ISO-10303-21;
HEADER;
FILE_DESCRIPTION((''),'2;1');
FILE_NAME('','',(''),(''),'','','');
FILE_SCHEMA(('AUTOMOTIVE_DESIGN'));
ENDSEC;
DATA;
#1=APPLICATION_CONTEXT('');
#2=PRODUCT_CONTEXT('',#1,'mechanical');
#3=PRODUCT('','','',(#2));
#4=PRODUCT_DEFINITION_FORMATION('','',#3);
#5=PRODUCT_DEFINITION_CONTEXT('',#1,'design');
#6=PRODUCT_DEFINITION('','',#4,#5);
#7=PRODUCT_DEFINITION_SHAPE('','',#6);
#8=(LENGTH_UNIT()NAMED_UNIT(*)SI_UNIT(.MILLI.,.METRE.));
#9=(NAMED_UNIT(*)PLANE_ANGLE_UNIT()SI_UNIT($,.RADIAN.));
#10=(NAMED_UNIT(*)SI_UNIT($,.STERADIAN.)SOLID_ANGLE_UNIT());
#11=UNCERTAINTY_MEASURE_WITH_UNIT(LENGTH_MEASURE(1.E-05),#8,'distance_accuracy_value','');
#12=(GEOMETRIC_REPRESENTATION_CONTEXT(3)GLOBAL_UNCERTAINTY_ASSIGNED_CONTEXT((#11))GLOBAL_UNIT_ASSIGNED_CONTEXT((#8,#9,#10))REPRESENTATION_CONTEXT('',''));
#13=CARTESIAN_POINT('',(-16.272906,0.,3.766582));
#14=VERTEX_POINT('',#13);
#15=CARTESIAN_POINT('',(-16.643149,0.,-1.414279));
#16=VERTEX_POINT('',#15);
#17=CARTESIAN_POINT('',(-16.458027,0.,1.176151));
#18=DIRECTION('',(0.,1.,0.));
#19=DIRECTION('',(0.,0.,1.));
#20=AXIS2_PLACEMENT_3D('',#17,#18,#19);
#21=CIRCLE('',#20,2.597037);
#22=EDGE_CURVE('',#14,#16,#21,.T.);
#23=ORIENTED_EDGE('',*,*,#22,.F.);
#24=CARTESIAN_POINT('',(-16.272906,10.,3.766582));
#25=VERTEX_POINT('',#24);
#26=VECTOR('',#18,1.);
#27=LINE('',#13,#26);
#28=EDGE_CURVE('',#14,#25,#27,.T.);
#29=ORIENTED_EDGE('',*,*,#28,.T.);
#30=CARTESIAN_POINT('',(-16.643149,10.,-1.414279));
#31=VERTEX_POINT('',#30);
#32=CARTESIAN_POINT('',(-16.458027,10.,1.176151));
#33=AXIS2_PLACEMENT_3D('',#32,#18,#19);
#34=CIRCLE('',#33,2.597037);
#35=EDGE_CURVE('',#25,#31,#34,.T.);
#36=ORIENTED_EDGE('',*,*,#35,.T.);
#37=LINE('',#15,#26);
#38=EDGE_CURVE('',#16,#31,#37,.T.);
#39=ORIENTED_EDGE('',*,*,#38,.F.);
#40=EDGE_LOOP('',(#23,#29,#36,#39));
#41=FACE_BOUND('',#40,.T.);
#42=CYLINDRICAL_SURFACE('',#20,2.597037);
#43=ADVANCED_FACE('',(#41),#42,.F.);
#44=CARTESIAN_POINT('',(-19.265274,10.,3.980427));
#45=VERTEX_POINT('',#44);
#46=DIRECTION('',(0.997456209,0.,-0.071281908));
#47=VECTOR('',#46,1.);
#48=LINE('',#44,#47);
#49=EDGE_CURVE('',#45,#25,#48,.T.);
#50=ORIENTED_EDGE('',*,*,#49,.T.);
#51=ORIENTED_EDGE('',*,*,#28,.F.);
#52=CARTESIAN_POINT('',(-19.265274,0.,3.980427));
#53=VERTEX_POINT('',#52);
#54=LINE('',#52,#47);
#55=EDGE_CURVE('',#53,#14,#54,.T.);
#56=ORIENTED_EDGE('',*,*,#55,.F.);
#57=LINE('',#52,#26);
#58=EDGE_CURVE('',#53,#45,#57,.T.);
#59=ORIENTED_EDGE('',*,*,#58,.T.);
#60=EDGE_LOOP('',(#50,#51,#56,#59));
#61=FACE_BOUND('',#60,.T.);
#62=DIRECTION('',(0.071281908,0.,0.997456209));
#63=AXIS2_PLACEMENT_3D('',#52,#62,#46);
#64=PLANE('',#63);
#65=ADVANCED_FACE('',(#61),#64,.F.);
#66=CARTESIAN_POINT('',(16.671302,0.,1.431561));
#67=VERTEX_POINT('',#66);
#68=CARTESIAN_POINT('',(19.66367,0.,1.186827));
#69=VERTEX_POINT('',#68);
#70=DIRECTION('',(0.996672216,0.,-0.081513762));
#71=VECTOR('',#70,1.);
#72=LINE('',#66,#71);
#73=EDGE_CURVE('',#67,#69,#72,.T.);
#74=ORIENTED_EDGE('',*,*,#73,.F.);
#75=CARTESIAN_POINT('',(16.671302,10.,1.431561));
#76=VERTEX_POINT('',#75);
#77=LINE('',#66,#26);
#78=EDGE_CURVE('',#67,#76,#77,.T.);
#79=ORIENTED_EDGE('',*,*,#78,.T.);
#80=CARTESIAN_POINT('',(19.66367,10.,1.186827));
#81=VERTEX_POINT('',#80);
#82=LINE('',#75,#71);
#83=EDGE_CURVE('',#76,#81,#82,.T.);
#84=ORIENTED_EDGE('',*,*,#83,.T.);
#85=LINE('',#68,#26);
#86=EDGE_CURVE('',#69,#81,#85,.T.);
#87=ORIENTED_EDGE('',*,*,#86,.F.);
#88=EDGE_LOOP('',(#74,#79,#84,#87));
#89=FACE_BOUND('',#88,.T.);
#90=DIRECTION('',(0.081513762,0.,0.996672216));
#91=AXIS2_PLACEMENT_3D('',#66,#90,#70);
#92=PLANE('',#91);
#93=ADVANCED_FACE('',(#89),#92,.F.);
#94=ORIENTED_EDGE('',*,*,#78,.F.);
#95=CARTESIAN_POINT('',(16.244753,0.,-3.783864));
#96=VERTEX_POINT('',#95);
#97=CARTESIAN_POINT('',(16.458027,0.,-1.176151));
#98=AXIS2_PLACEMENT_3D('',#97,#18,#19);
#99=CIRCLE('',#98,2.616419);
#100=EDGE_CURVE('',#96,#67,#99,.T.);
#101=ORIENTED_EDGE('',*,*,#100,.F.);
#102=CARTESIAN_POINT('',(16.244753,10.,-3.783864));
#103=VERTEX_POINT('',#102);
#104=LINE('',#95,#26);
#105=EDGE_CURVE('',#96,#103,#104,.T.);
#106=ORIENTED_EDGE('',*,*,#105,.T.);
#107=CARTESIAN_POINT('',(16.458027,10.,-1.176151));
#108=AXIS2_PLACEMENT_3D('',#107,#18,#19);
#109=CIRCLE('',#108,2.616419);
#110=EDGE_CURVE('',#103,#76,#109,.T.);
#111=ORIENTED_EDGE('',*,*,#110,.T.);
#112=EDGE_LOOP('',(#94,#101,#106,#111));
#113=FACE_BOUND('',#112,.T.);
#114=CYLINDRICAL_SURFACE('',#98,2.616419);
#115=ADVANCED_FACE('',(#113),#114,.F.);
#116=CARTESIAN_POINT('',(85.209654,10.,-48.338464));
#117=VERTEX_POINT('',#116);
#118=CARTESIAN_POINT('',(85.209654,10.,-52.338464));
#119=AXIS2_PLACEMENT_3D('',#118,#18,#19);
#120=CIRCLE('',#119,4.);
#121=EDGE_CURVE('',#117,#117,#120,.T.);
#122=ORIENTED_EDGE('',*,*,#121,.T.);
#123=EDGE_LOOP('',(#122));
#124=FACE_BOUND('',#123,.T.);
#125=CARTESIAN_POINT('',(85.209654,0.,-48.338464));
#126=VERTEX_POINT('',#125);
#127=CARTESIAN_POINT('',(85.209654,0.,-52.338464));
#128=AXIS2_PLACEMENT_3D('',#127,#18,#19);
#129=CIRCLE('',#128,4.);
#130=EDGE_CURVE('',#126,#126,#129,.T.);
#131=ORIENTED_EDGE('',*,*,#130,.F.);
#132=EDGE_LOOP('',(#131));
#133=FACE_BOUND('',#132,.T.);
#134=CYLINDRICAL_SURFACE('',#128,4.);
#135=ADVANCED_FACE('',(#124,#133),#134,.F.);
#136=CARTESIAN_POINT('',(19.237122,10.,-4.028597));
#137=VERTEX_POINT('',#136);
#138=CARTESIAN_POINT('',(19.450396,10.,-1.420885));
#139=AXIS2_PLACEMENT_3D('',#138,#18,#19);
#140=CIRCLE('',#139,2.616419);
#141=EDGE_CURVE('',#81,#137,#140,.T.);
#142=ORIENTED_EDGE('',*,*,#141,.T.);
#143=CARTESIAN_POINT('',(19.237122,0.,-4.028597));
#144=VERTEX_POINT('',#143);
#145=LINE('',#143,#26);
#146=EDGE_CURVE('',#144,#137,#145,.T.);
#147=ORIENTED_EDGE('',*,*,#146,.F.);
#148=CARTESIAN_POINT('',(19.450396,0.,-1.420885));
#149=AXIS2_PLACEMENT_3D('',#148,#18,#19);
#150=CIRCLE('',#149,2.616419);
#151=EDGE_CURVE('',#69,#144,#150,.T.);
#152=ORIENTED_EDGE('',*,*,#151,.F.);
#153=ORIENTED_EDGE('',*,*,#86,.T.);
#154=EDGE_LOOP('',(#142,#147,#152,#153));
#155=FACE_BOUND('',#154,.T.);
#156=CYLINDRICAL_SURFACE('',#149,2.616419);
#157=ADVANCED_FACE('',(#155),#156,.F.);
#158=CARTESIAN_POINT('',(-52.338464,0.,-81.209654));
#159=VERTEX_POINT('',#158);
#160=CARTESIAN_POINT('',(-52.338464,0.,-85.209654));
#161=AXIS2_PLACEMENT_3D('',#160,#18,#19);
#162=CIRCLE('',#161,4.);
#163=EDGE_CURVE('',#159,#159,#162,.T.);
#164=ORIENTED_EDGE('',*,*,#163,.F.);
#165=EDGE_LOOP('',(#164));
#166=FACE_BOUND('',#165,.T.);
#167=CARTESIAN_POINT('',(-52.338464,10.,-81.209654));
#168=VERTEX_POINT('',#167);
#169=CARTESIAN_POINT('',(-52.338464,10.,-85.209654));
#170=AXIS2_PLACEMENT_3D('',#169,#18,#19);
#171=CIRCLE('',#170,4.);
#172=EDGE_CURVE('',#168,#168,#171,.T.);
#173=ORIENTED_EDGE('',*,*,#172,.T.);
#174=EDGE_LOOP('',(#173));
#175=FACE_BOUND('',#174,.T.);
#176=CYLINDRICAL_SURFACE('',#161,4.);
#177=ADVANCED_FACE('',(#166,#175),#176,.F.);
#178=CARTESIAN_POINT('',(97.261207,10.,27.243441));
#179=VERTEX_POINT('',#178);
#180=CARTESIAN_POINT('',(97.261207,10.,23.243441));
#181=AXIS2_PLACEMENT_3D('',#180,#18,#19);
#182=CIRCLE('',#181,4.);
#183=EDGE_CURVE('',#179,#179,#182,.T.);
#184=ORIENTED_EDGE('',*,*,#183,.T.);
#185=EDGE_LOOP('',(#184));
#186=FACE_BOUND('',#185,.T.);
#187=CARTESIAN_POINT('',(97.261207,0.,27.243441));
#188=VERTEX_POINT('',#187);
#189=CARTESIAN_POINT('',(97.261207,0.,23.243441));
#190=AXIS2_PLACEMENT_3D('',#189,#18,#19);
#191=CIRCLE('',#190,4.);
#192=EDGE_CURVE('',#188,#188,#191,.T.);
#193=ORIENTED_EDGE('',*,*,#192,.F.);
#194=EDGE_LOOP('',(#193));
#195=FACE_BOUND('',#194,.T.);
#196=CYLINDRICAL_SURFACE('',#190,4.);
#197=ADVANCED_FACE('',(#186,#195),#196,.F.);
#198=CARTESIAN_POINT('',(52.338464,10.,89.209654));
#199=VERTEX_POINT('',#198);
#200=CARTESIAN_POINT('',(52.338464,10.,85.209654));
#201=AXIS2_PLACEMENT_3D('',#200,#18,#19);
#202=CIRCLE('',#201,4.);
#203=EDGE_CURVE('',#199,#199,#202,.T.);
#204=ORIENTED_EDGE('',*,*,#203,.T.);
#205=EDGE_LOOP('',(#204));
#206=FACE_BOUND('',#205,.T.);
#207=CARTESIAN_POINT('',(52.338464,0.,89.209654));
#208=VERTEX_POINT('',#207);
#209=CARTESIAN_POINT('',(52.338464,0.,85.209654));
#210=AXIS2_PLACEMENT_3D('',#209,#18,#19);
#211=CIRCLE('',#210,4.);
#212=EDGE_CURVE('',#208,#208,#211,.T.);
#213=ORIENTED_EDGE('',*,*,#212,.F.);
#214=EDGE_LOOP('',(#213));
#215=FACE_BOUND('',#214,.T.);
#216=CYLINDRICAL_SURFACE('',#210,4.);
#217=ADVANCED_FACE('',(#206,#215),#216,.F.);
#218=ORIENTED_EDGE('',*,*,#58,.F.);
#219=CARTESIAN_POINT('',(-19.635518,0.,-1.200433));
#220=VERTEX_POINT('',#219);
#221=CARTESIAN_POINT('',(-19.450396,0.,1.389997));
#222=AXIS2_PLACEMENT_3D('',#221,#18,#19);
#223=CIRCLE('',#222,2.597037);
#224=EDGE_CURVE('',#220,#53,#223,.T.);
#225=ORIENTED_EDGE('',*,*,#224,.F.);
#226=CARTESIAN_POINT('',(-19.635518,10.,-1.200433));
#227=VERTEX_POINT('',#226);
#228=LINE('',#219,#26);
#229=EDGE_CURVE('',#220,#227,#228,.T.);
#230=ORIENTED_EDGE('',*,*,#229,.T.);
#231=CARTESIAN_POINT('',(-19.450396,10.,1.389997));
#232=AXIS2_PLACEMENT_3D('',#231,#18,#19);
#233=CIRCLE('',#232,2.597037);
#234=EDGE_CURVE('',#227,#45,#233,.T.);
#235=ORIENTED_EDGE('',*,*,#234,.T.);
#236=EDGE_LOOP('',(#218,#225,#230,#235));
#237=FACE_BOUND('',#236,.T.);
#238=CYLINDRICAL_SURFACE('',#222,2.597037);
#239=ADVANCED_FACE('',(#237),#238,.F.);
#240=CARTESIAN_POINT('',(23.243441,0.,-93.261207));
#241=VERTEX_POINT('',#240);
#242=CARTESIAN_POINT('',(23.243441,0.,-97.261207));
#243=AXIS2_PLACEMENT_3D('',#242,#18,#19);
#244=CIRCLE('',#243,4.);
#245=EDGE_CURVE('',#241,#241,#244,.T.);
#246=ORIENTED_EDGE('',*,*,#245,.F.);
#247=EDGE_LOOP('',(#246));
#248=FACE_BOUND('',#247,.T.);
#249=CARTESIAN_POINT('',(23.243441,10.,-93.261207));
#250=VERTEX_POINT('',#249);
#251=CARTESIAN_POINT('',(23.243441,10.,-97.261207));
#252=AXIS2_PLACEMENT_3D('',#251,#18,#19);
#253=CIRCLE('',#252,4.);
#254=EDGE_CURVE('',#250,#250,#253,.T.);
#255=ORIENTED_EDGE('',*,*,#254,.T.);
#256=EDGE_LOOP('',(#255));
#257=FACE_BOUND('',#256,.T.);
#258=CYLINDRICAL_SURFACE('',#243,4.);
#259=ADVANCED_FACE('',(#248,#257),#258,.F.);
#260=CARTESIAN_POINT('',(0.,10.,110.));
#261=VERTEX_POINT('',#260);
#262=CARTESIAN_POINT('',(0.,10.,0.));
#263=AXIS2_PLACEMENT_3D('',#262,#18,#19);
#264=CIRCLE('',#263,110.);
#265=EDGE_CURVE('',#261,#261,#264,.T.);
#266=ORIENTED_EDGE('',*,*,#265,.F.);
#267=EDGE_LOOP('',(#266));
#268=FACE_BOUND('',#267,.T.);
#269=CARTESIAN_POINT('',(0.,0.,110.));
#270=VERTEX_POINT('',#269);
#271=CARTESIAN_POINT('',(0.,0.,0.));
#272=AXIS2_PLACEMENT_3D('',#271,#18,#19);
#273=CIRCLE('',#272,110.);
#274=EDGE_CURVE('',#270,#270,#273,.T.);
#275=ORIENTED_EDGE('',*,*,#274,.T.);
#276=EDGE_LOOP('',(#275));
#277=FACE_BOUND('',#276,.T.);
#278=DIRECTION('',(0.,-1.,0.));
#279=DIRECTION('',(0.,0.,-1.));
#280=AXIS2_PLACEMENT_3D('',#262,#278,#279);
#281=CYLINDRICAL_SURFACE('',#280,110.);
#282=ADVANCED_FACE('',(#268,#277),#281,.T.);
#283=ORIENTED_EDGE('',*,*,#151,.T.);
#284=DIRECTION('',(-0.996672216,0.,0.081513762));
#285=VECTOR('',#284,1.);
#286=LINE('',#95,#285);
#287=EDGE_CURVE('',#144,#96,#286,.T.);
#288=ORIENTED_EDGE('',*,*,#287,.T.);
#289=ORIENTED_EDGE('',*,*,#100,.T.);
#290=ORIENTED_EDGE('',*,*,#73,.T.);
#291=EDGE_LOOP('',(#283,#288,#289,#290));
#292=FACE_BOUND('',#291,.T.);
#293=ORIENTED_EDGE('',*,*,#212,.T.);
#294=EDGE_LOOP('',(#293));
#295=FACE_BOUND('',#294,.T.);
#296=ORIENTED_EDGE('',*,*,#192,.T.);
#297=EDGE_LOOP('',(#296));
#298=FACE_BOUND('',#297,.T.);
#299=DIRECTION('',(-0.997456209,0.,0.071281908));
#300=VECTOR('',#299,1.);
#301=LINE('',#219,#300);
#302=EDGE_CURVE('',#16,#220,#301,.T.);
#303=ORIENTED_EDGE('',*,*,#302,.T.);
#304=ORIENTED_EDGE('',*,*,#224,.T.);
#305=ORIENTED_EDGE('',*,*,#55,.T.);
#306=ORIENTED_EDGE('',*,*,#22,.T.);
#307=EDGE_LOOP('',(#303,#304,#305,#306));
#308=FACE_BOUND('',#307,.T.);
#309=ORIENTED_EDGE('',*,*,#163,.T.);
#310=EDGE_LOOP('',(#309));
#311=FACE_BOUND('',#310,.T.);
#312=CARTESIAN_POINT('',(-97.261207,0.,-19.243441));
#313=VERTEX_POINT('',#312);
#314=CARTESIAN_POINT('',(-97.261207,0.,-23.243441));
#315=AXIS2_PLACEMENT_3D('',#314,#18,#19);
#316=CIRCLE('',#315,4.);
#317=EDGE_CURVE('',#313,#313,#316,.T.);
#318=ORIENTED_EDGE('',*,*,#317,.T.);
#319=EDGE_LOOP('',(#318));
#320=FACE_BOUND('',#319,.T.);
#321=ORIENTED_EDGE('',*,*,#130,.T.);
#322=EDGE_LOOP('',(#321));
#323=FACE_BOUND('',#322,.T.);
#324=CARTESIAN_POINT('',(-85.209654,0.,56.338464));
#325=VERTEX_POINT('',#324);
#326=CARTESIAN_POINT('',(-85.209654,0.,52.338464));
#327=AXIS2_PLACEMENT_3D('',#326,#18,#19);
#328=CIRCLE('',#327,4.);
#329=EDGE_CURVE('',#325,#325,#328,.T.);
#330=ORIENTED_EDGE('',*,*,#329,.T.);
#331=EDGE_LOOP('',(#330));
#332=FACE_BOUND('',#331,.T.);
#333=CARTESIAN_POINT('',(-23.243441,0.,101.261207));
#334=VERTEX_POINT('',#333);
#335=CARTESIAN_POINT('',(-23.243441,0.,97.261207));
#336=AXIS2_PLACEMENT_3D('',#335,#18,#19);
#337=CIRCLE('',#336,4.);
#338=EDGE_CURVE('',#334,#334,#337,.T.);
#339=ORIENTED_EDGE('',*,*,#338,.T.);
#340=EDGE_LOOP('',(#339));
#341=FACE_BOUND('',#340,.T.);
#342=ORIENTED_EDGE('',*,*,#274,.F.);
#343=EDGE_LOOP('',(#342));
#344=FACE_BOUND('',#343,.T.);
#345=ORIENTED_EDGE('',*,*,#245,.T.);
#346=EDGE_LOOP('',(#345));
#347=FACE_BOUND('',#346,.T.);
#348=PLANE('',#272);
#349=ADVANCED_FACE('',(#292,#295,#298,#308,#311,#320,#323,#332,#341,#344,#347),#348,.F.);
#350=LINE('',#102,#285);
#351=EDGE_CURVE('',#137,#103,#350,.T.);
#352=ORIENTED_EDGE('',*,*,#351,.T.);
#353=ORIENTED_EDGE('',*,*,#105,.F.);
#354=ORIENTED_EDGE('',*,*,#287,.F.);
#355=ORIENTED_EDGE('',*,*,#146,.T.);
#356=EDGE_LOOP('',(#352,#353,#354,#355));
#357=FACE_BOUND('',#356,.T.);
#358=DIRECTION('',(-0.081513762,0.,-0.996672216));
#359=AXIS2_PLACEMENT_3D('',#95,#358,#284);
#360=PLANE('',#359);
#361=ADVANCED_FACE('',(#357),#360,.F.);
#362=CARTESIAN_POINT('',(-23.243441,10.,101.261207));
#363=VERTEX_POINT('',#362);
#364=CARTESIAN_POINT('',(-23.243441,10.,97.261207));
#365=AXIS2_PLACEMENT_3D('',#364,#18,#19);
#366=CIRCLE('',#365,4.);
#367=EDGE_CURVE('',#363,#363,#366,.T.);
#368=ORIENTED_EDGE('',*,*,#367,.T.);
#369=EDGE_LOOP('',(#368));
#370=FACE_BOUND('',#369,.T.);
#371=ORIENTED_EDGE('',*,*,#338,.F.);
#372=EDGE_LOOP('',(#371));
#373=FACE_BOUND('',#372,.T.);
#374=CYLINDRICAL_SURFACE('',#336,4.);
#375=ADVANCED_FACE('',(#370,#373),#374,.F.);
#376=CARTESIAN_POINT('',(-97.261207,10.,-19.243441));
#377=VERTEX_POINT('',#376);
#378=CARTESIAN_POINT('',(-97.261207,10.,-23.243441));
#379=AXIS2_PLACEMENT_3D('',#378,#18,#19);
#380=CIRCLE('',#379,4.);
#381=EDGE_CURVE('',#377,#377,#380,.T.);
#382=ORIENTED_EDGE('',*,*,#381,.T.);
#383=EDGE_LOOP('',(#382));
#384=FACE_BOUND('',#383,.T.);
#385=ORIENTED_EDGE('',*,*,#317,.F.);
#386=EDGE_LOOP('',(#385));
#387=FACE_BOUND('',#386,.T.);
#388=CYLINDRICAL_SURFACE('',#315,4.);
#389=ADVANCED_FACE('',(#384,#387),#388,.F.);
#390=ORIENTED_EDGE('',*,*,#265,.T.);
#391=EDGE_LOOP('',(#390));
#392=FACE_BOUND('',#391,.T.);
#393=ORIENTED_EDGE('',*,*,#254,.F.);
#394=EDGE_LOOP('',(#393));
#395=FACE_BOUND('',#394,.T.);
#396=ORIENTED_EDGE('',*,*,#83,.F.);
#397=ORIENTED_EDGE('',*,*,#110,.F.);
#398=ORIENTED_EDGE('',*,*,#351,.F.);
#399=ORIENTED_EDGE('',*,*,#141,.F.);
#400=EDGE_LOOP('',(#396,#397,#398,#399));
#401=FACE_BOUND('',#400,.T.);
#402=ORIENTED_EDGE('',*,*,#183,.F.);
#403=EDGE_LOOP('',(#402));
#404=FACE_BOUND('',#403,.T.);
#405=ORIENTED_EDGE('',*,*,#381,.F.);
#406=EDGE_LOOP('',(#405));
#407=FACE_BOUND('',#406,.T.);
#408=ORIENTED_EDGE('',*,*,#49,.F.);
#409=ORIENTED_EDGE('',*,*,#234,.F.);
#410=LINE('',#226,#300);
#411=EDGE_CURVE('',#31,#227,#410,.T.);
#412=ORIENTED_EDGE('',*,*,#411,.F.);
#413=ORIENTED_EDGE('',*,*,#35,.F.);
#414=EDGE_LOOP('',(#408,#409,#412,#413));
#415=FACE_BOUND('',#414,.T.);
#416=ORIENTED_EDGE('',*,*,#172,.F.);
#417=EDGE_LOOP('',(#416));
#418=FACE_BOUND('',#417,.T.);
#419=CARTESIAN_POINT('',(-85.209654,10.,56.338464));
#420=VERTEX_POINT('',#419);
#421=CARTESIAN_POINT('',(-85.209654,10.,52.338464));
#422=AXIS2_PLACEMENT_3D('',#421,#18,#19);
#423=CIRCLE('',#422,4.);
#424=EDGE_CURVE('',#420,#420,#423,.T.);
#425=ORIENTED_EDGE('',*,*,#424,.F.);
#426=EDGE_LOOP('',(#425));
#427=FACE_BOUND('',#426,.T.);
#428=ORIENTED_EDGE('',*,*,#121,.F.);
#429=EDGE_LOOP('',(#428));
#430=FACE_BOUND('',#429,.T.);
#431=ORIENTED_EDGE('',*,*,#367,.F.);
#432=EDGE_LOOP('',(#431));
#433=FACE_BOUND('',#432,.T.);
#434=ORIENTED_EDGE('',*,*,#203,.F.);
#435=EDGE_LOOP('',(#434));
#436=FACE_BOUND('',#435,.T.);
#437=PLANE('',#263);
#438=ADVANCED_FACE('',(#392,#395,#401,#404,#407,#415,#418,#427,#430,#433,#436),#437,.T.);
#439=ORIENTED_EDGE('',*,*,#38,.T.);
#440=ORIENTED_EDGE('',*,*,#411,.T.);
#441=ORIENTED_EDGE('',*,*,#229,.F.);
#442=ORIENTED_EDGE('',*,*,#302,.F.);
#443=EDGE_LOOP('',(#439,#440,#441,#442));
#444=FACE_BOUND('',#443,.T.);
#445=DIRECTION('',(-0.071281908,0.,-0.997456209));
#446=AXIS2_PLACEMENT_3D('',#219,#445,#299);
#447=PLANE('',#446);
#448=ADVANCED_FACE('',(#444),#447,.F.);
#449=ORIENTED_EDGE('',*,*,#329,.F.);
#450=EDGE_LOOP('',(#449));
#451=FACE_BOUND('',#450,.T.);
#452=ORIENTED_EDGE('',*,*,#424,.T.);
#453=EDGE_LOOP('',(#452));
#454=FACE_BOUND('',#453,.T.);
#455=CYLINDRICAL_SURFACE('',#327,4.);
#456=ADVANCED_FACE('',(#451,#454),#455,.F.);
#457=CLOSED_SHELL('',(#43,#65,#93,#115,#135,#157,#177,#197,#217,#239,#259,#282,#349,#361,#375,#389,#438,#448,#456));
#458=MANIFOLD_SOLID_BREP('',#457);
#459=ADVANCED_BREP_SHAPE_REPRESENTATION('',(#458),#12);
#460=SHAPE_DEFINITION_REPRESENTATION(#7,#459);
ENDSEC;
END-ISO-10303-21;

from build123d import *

# Parameters (mm, degrees)
CROQUIS1_R              = 110
SALIENTE_EXTRUIR1_DEPTH = 10
CORTAR_EXTRUIR2_DEPTH   = 156.884572681
CROQUIS5_R              = 4
CORTAR_EXTRUIR3_DEPTH   = 156.884572681


with BuildPart() as part:
    # Croquis1 → Saliente-Extruir1 (new body)
    with BuildSketch(Plane(origin=(0, 0, 0), x_dir=(1, 0, 0), z_dir=(0, 1, 0))):
        with Locations(Location((0, 0, 0), (0, 0, 270))):
            Circle(CROQUIS1_R)
    extrude(amount=SALIENTE_EXTRUIR1_DEPTH)

    # Croquis3 → Cortar-Extruir2 (cut, through all)
    with BuildSketch(Plane(origin=(0, 10, 0), x_dir=(1, 0, 0), z_dir=(0, 1, 0))):
        with BuildLine():
            Line((-19.635517807, 1.200433086), (-16.643149179, 1.41427881))
            ThreePointArc((-16.643149179, 1.41427881), (-13.867597162, -0.991029758), (-16.27290573, -3.766581775))
            Line((-16.27290573, -3.766581775), (-19.265274358, -3.980427499))
            ThreePointArc((-19.265274358, -3.980427499), (-22.040826375, -1.575118931), (-19.635517807, 1.200433086))
        make_face()
        with BuildLine():
            Line((16.244753287, 3.783863744), (19.237121915, 4.028597389))
            ThreePointArc((19.237121915, 4.028597389), (22.058108344, 1.634159295), (19.66367025, -1.186827134))
            Line((19.66367025, -1.186827134), (16.671301622, -1.431560779))
            ThreePointArc((16.671301622, -1.431560779), (13.850315193, 0.962877315), (16.244753287, 3.783863744))
        make_face()
    extrude(amount=-CORTAR_EXTRUIR2_DEPTH, mode=Mode.SUBTRACT)

    # Croquis5 → Cortar-Extruir3 (cut, through all)
    with BuildSketch(Plane(origin=(0, 10, 0), x_dir=(1, 0, 0), z_dir=(0, 1, 0))):
        with Locations(Location((-85.209654188, -52.338464184, 0), (0, 0, 270))):
            Circle(CROQUIS5_R)
        with Locations(Location((-97.26120724, 23.243441358, 0), (0, 0, 270))):
            Circle(CROQUIS5_R)
        with Locations(Location((-52.338464184, 85.209654188, 0), (0, 0, 270))):
            Circle(CROQUIS5_R)
        with Locations(Location((23.243441358, 97.26120724, 0), (0, 0, 270))):
            Circle(CROQUIS5_R)
        with Locations(Location((85.209654188, 52.338464184, 0), (0, 0, 270))):
            Circle(CROQUIS5_R)
        with Locations(Location((97.26120724, -23.243441358, 0), (0, 0, 270))):
            Circle(CROQUIS5_R)
        with Locations(Location((52.338464184, -85.209654188, 0), (0, 0, 270))):
            Circle(CROQUIS5_R)
        with Locations(Location((-23.243441358, -97.26120724, 0), (0, 0, 270))):
            Circle(CROQUIS5_R)
    extrude(amount=-CORTAR_EXTRUIR3_DEPTH, mode=Mode.SUBTRACT)


solid = part.part
